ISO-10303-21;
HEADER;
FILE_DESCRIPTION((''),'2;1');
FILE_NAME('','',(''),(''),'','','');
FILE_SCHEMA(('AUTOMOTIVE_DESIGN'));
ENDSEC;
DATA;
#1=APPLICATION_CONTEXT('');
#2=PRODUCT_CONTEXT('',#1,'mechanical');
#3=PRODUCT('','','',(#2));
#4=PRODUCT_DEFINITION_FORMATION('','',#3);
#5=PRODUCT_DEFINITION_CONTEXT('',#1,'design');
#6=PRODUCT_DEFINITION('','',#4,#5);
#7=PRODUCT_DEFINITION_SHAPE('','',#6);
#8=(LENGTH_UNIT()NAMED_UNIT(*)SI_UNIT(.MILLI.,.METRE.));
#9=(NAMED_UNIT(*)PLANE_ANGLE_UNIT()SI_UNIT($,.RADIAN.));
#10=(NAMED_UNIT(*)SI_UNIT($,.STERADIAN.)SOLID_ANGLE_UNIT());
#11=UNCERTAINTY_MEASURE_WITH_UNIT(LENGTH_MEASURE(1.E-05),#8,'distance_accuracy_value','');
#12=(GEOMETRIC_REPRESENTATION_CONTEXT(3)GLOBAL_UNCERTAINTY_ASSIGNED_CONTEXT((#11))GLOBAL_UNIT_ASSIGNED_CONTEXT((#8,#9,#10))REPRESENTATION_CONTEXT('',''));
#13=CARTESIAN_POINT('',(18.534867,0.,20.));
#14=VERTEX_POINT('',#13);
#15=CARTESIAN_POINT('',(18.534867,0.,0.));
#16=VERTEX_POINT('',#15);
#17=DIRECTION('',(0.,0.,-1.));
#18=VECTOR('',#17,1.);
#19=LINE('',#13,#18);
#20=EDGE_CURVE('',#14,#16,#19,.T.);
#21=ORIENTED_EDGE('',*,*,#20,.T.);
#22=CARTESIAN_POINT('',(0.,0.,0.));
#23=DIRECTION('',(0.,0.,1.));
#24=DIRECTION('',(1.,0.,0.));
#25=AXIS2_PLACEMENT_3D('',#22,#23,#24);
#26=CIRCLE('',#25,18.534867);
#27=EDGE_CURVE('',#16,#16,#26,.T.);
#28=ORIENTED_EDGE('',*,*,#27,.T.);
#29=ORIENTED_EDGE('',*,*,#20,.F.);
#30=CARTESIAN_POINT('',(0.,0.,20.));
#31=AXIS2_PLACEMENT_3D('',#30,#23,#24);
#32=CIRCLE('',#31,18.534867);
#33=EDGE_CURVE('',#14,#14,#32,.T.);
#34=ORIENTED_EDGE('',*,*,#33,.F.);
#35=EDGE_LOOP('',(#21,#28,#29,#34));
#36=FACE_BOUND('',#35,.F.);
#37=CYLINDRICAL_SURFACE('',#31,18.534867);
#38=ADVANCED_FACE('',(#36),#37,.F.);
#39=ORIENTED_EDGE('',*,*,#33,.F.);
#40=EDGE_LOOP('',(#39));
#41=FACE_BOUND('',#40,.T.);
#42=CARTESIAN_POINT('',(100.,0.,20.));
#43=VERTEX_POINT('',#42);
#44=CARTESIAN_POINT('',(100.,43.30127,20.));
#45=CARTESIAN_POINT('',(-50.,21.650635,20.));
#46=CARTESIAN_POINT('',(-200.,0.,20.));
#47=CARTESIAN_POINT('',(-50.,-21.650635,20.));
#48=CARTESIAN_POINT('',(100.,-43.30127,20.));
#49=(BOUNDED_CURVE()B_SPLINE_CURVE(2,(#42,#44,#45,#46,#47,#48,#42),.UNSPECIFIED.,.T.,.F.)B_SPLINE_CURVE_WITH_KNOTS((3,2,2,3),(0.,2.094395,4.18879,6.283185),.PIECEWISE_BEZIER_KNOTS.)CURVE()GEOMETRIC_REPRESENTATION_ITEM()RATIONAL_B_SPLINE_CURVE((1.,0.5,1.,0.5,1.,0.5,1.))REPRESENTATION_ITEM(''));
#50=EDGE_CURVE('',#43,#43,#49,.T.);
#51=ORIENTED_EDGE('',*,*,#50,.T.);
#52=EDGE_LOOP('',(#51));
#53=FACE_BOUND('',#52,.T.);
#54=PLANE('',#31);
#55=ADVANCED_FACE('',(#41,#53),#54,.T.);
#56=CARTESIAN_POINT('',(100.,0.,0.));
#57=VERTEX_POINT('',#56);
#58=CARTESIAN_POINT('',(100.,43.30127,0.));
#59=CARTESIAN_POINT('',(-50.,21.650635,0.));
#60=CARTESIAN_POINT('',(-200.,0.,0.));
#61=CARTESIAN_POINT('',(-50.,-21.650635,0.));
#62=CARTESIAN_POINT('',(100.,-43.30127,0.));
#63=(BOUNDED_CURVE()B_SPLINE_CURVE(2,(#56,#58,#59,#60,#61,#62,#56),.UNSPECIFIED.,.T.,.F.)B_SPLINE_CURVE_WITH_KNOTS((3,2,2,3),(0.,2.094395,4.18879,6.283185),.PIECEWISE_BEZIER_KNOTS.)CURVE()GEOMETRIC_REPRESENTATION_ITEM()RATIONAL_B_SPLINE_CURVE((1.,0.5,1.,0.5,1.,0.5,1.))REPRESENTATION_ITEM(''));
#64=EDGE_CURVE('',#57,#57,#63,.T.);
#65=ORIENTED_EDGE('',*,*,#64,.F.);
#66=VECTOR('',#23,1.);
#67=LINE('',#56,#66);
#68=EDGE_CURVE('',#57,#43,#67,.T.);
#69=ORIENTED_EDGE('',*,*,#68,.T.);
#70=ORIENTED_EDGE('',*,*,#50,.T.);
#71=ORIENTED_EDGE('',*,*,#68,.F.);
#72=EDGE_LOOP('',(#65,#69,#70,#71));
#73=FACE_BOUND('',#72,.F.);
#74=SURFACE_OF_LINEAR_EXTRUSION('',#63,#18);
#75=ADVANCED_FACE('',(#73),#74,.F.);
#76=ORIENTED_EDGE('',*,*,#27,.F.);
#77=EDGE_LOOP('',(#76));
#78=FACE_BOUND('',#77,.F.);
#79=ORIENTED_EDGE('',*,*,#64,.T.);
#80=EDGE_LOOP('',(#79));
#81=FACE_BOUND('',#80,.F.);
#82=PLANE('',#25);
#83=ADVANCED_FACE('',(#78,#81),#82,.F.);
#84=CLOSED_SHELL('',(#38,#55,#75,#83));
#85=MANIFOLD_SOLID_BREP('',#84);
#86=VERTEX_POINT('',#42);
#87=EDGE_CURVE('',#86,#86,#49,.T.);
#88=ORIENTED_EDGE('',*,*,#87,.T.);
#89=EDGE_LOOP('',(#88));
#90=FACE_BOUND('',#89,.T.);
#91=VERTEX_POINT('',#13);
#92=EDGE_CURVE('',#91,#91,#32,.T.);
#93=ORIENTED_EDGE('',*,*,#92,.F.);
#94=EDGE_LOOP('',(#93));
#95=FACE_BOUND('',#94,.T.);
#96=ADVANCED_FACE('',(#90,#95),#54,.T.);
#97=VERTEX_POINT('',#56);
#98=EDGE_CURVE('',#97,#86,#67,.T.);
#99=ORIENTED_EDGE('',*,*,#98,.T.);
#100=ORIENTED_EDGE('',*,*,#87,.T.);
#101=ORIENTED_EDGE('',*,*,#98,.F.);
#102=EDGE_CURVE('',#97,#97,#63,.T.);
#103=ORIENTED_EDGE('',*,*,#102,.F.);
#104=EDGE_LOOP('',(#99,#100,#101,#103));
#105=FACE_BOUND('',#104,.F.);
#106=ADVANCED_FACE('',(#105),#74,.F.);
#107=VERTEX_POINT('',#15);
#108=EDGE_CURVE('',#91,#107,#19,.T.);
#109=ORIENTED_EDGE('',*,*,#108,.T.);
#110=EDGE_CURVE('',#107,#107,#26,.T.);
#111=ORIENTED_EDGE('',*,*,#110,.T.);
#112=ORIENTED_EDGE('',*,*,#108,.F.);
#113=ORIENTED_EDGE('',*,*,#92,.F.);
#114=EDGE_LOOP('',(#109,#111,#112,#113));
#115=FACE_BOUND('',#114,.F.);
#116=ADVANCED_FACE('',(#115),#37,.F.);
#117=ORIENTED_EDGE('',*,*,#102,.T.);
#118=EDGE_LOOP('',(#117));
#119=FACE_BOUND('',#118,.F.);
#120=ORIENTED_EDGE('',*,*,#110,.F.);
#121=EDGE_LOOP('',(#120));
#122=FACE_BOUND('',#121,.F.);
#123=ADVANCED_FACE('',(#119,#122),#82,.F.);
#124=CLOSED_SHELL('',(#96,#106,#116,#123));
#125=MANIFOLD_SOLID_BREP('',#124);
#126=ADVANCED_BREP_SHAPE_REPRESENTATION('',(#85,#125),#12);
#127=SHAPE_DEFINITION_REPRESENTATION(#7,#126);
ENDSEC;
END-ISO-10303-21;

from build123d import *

# Parameters (mm, degrees)
F1_DEPTH = 20
F3_DEPTH = 20
F4_R     = 18.534867
F5_DEPTH = 20


with BuildPart() as f1:
    # F0 (on Top) → F1 (new body)
    with BuildSketch(Plane.XY):
        with BuildLine():
            add(Edge.make_bspline(
                [(100, 0), (100, 43.30127), (-50, 21.650635), (-200, 0), (-50, -21.650635), (100, -43.30127), (100, 0)],
                knots=[0, 0, 0, 2.094395, 2.094395, 4.18879, 4.18879, 6.283185, 6.283185, 6.283185], degree=2, weights=[1, 0.5, 1, 0.5, 1, 0.5, 1]))
        make_face()
    extrude(amount=F1_DEPTH)


with BuildPart() as f3:
    # F2 (on Top) → F3 (new body)
    with BuildSketch(Plane.XY):
        with BuildLine():
            add(Edge.make_bspline(
                [(100, 0), (100, 43.30127), (-50, 21.650635), (-200, 0), (-50, -21.650635), (100, -43.30127), (100, 0)],
                knots=[0, 0, 0, 2.094395, 2.094395, 4.18879, 4.18879, 6.283185, 6.283185, 6.283185], degree=2, weights=[1, 0.5, 1, 0.5, 1, 0.5, 1]))
        make_face()
    extrude(amount=F3_DEPTH)


with BuildPart() as f5_tool:
    # F4 (on face) → F5 (new body)
    with BuildSketch(Plane.XY.offset(20)):
        Circle(F4_R)
    extrude(amount=-F5_DEPTH)


with BuildPart() as f1_1:
    add(f1.part)

    # F5: cut by f5_tool
    add(f5_tool.part, mode=Mode.SUBTRACT)


with BuildPart() as f3_1:
    add(f3.part)

    # F5: cut by f5_tool
    add(f5_tool.part, mode=Mode.SUBTRACT)


solid = Compound([f1_1.part, f3_1.part])
